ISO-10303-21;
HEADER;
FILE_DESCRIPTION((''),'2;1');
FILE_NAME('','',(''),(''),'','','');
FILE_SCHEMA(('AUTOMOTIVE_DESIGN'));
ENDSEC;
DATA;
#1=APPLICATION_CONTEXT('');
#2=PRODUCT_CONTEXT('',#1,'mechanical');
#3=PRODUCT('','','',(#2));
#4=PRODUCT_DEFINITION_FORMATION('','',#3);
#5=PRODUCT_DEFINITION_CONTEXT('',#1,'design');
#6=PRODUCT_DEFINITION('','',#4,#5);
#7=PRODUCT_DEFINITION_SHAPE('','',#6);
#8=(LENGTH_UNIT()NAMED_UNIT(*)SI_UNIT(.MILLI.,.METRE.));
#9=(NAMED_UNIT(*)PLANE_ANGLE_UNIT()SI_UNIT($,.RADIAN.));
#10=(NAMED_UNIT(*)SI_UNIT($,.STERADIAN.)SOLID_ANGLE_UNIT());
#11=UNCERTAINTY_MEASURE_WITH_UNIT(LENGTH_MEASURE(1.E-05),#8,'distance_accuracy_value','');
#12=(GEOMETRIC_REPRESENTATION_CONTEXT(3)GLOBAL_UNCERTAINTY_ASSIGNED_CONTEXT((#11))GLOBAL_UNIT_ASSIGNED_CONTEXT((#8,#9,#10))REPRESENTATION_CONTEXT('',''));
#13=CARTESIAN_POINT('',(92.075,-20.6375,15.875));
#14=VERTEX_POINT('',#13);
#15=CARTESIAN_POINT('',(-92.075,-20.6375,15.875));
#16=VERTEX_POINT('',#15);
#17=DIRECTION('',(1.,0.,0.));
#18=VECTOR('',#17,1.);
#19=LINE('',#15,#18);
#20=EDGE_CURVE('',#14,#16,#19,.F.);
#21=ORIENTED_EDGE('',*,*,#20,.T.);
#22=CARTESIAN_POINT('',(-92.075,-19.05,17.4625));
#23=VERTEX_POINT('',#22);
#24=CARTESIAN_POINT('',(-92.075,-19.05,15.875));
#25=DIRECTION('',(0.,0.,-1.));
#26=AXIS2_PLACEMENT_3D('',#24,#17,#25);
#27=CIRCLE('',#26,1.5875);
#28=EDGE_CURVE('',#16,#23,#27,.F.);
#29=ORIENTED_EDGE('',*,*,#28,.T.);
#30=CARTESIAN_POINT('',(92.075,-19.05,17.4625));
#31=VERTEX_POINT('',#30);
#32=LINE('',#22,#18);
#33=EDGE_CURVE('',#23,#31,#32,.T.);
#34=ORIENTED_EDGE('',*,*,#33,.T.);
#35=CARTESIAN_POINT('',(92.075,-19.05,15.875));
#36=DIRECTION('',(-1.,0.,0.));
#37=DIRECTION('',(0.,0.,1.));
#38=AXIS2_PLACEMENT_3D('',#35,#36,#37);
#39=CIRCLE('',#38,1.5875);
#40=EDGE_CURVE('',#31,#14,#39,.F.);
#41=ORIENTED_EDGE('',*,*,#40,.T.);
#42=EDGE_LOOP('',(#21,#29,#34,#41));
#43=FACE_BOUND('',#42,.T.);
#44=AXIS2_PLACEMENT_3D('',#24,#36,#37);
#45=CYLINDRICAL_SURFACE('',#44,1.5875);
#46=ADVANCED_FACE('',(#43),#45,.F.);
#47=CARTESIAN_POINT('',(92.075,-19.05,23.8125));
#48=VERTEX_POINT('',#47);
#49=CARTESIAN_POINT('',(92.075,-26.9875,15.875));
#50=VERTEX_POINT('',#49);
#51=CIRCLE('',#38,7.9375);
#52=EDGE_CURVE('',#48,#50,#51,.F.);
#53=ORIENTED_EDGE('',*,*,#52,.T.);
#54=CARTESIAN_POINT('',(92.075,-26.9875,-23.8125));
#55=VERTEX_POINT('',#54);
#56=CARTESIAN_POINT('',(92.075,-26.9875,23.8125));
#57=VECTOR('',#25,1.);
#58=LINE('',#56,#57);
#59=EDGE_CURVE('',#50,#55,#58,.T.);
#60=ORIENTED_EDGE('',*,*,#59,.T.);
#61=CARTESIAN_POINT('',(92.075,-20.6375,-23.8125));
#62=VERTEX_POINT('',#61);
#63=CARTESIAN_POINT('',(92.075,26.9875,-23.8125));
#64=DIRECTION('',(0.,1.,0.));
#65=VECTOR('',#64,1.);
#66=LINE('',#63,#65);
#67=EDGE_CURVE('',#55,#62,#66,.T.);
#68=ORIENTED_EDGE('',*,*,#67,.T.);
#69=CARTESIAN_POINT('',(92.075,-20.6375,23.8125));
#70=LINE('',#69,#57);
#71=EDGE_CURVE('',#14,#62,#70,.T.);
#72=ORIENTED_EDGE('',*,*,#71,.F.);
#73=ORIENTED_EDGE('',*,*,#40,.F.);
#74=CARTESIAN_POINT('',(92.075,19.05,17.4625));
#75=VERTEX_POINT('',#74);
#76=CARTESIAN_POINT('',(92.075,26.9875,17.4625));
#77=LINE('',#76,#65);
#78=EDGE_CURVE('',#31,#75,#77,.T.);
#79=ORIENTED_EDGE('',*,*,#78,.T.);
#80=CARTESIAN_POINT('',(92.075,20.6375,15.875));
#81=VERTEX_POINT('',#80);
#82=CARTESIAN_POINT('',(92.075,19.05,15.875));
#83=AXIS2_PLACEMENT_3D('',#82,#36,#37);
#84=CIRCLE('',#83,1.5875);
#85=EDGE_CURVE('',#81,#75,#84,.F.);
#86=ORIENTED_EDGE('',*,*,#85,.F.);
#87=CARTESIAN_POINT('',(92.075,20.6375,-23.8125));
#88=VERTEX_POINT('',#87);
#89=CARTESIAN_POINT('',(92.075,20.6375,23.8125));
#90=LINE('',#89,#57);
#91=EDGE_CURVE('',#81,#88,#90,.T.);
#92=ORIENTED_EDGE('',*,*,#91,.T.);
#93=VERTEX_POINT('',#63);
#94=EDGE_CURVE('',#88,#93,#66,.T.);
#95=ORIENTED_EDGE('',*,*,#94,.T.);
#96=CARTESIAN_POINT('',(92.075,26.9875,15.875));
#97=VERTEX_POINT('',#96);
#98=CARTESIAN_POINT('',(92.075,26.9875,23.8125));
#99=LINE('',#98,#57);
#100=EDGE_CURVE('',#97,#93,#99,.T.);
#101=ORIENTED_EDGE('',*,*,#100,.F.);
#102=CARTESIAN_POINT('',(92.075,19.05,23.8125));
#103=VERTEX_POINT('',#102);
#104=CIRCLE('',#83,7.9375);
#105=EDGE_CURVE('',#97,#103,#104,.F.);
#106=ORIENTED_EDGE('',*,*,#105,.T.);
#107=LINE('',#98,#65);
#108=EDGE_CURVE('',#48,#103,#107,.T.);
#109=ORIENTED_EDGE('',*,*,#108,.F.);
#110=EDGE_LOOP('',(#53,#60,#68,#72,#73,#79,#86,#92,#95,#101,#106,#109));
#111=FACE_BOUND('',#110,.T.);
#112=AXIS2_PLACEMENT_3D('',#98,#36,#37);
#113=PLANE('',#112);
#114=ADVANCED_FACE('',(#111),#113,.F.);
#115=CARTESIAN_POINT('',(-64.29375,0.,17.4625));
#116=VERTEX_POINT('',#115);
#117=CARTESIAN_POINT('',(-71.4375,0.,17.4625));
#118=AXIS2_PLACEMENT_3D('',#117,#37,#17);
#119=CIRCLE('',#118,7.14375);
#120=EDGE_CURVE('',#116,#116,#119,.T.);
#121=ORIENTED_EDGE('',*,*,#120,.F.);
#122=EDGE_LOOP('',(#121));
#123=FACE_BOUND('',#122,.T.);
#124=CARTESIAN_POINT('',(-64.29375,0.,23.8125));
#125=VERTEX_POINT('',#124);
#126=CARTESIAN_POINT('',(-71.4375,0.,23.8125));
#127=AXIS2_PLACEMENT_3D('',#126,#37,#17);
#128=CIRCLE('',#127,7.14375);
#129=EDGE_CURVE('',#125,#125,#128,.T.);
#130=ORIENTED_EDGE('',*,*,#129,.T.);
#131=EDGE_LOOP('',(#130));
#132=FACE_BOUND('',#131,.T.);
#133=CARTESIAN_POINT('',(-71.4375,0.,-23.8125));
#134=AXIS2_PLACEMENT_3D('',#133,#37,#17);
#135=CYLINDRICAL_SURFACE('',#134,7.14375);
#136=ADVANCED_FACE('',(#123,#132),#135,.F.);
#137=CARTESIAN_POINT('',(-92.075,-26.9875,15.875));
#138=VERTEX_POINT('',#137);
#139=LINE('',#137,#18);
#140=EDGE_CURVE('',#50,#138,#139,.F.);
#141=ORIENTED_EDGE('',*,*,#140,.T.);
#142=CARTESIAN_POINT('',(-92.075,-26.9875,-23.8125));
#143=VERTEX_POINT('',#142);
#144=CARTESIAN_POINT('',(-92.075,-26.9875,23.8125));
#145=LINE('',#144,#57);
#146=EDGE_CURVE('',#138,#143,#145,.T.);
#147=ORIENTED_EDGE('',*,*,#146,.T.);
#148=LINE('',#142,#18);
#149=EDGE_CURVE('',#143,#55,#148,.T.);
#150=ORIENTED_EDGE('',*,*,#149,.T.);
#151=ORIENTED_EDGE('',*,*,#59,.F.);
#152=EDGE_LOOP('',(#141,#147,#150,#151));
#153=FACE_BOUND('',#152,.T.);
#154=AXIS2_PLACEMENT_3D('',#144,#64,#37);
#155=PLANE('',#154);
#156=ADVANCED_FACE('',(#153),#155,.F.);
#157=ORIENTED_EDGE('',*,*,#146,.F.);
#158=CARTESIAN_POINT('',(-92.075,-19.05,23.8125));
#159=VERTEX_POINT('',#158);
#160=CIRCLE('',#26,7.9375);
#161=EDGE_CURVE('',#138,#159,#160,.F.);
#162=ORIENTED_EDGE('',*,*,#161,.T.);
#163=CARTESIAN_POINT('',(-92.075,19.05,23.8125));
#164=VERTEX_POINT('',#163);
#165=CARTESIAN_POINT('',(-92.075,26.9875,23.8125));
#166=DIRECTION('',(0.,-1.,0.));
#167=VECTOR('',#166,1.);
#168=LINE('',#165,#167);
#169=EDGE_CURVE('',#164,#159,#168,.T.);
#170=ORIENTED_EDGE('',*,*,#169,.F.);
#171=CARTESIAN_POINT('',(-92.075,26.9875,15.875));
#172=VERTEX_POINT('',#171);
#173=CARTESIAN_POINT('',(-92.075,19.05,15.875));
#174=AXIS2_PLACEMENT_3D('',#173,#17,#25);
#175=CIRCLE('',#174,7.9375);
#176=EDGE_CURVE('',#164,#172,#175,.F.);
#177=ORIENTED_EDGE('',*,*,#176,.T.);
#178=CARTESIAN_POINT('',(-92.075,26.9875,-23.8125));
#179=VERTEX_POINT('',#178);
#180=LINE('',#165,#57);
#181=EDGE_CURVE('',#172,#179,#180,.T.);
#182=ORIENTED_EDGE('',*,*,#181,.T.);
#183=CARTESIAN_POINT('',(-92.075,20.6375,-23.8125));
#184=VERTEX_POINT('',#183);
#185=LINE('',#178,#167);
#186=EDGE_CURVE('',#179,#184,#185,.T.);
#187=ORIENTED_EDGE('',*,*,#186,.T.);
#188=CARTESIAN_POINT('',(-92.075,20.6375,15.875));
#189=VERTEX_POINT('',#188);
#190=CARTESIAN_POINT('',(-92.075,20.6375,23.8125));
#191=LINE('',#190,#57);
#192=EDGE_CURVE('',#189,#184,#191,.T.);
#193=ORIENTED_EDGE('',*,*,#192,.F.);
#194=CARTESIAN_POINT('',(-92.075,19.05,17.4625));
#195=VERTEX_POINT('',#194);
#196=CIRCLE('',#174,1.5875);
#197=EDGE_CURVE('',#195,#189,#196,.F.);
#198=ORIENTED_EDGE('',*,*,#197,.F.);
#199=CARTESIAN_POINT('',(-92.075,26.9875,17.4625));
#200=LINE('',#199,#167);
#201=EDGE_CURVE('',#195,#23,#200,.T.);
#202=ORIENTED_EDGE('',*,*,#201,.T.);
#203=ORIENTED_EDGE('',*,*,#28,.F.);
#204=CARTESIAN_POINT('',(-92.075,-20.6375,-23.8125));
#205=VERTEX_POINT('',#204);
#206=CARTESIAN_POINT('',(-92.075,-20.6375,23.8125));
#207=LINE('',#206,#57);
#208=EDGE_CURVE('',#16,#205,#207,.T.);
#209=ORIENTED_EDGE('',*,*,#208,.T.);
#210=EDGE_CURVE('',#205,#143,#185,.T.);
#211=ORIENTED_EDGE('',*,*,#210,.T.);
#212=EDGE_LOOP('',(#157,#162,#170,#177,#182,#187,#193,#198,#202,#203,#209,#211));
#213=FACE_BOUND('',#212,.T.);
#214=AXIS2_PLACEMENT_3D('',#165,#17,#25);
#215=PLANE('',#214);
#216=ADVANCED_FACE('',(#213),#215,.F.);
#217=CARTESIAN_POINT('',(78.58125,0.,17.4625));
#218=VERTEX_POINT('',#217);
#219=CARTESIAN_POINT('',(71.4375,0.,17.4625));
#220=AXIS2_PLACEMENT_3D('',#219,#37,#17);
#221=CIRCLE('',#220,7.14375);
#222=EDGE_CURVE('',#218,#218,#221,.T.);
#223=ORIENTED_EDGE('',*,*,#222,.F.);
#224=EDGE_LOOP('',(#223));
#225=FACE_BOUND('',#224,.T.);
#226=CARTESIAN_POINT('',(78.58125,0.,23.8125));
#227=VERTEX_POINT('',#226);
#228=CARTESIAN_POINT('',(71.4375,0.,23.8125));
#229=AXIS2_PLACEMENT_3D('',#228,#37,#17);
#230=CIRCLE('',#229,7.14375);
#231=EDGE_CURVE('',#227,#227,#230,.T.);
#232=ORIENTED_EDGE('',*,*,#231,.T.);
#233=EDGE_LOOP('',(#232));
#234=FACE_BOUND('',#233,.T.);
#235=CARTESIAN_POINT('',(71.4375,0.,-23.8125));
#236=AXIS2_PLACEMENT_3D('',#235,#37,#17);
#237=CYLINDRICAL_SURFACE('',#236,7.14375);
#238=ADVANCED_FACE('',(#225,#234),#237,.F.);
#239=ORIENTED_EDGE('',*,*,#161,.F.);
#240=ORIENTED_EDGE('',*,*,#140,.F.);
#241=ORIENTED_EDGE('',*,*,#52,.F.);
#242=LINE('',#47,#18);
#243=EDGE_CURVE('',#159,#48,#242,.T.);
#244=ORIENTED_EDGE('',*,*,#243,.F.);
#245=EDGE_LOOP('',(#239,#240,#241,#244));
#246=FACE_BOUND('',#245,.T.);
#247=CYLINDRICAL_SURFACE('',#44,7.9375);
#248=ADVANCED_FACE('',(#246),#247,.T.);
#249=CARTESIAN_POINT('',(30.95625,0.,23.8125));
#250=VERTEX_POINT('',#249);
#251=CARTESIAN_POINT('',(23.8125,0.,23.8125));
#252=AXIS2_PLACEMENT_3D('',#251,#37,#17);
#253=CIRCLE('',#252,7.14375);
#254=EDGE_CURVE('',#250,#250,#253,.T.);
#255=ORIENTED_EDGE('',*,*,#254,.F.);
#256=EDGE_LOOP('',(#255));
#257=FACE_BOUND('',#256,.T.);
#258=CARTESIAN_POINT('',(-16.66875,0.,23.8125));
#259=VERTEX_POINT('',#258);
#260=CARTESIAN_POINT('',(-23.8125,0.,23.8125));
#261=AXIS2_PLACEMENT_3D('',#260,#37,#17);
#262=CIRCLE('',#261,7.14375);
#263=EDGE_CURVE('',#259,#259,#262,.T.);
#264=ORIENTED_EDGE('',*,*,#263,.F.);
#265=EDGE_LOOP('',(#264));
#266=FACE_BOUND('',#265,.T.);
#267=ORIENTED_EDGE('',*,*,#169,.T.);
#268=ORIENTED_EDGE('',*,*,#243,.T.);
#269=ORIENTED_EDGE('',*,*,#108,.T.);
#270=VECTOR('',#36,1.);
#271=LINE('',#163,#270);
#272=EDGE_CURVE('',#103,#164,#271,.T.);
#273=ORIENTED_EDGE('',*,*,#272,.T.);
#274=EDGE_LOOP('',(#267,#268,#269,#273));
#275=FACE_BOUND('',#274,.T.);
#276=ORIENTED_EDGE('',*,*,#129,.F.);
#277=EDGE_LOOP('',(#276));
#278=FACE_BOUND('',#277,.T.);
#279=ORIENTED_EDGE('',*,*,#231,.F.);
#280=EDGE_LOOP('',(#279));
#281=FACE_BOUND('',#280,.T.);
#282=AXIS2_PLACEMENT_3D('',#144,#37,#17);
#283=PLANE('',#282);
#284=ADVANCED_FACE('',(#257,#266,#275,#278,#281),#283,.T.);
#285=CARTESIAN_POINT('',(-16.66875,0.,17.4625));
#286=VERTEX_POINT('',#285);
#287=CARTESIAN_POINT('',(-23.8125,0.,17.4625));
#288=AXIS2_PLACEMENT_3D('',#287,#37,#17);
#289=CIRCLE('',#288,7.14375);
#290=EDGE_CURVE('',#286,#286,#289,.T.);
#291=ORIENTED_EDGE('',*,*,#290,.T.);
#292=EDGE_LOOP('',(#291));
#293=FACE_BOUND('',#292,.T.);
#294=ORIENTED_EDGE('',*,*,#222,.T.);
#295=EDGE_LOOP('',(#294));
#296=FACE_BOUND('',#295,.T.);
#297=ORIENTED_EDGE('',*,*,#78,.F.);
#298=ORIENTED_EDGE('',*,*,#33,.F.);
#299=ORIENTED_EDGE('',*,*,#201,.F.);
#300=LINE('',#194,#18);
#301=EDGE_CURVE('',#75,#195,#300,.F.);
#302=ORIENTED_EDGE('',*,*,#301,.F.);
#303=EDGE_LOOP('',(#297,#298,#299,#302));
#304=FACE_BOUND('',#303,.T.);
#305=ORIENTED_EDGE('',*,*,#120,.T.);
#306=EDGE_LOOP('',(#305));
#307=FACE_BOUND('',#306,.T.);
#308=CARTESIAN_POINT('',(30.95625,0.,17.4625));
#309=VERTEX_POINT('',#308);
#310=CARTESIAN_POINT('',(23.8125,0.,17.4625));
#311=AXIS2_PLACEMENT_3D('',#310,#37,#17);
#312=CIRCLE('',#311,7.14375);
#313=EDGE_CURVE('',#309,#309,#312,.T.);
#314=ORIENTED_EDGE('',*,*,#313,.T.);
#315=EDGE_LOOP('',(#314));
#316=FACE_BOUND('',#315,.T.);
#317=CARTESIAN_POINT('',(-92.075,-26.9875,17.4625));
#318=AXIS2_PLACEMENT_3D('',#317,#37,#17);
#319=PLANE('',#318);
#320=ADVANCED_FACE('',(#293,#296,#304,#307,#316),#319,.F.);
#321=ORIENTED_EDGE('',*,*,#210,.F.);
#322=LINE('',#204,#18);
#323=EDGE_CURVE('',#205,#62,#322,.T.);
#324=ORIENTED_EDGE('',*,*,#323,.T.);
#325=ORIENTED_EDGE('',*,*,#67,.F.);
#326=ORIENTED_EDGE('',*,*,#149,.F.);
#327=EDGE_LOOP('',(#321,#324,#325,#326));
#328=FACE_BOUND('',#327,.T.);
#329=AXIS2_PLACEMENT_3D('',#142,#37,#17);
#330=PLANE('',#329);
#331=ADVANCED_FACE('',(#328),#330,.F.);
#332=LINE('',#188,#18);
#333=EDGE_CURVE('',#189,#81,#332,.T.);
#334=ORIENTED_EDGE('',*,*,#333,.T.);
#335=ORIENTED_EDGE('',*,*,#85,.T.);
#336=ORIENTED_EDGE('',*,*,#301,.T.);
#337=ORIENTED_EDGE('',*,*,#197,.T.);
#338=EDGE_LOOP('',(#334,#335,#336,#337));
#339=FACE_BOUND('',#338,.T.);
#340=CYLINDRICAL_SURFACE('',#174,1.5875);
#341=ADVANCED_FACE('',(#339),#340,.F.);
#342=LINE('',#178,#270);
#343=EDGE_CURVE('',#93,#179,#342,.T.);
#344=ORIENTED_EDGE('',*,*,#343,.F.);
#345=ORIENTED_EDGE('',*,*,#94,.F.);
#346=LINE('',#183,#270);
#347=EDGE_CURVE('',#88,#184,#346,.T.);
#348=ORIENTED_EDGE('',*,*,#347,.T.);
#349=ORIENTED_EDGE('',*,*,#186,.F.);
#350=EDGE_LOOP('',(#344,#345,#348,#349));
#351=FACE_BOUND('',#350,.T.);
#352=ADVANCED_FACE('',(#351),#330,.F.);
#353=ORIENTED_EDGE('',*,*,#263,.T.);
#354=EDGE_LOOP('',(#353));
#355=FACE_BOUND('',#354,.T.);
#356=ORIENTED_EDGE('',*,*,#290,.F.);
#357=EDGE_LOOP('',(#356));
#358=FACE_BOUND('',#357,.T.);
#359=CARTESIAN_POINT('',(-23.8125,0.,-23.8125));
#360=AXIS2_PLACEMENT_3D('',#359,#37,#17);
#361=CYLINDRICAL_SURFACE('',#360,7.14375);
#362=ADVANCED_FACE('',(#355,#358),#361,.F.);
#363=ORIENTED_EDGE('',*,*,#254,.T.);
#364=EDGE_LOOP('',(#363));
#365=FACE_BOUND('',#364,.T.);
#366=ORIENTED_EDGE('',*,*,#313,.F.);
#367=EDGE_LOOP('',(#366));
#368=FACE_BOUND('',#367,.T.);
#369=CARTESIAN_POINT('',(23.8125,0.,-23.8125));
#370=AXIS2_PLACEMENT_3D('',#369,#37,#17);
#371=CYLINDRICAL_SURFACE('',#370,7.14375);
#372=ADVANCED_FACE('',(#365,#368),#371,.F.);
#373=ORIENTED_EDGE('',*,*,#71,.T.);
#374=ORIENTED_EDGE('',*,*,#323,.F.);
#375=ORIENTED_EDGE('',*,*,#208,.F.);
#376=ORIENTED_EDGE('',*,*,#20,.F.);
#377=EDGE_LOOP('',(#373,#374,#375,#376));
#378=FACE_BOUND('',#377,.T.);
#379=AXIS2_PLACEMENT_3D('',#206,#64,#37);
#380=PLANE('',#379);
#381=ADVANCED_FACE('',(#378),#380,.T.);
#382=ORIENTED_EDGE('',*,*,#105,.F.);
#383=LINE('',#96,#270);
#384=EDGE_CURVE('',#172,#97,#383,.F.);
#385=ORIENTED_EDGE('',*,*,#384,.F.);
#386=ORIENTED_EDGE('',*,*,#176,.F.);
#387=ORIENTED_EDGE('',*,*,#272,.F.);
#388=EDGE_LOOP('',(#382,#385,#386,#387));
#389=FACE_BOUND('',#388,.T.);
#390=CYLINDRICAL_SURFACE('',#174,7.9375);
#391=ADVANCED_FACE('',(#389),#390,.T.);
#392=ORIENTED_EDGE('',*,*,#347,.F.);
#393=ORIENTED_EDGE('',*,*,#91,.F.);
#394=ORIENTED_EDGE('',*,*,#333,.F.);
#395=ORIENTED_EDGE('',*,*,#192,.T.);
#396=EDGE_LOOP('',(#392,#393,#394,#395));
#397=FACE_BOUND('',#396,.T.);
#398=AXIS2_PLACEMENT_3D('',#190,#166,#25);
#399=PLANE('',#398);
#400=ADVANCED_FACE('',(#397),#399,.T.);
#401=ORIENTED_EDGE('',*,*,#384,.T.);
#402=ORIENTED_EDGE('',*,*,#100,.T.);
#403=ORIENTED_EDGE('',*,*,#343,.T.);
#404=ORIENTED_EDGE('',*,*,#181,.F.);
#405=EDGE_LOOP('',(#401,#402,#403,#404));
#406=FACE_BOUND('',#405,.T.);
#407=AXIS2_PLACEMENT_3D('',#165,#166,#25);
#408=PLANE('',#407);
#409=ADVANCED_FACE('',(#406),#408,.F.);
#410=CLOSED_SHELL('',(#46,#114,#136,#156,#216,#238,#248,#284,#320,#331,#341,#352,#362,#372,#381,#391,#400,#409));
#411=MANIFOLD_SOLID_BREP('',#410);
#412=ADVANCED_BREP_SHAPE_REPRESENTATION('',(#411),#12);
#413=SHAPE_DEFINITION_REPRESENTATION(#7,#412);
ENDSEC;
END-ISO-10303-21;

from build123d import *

# Parameters (mm, degrees)
SKETCH1_W           = 184.15
SKETCH1_H           = 53.975
BOSS_EXTRUDE1_DEPTH = 23.8125
FILLET1_R           = 7.9375
SHELL1_T            = -6.35
SKETCH2_R           = 7.14375
CUT_EXTRUDE1_DEPTH  = 47.625


with BuildPart() as part:
    # Sketch1 → Boss-Extrude1 (new, symmetric)
    with BuildSketch(Plane.XY):
        Rectangle(SKETCH1_W, SKETCH1_H)
    extrude(amount=BOSS_EXTRUDE1_DEPTH, both=True)

    # Fillet1
    fillet1_edges = [part.edges().sort_by_distance(p)[0] for p in [
        (0, 26.9875, 23.8125),
        (0, -26.9875, 23.8125),
    ]]
    fillet(fillet1_edges, radius=FILLET1_R)

    # Shell1
    shell1_openings = [part.faces().sort_by_distance(p)[0] for p in [
        (0, 0, -23.8125),
        (92.075, 0, -0.234313972),
        (-92.075, 0, -0.234313972),
    ]]
    offset(amount=SHELL1_T, openings=shell1_openings, kind=Kind.INTERSECTION)

    # Sketch2 → Cut-Extrude1 (cut)
    with BuildSketch(Plane.XY.offset(23.8125)):
        with Locations((-71.4375, 0)):
            Circle(SKETCH2_R)
        with Locations((-23.8125, 0)):
            Circle(SKETCH2_R)
        with Locations((23.8125, 0)):
            Circle(SKETCH2_R)
        with Locations((71.4375, 0)):
            Circle(SKETCH2_R)
    extrude(amount=-CUT_EXTRUDE1_DEPTH, mode=Mode.SUBTRACT)


solid = part.part
